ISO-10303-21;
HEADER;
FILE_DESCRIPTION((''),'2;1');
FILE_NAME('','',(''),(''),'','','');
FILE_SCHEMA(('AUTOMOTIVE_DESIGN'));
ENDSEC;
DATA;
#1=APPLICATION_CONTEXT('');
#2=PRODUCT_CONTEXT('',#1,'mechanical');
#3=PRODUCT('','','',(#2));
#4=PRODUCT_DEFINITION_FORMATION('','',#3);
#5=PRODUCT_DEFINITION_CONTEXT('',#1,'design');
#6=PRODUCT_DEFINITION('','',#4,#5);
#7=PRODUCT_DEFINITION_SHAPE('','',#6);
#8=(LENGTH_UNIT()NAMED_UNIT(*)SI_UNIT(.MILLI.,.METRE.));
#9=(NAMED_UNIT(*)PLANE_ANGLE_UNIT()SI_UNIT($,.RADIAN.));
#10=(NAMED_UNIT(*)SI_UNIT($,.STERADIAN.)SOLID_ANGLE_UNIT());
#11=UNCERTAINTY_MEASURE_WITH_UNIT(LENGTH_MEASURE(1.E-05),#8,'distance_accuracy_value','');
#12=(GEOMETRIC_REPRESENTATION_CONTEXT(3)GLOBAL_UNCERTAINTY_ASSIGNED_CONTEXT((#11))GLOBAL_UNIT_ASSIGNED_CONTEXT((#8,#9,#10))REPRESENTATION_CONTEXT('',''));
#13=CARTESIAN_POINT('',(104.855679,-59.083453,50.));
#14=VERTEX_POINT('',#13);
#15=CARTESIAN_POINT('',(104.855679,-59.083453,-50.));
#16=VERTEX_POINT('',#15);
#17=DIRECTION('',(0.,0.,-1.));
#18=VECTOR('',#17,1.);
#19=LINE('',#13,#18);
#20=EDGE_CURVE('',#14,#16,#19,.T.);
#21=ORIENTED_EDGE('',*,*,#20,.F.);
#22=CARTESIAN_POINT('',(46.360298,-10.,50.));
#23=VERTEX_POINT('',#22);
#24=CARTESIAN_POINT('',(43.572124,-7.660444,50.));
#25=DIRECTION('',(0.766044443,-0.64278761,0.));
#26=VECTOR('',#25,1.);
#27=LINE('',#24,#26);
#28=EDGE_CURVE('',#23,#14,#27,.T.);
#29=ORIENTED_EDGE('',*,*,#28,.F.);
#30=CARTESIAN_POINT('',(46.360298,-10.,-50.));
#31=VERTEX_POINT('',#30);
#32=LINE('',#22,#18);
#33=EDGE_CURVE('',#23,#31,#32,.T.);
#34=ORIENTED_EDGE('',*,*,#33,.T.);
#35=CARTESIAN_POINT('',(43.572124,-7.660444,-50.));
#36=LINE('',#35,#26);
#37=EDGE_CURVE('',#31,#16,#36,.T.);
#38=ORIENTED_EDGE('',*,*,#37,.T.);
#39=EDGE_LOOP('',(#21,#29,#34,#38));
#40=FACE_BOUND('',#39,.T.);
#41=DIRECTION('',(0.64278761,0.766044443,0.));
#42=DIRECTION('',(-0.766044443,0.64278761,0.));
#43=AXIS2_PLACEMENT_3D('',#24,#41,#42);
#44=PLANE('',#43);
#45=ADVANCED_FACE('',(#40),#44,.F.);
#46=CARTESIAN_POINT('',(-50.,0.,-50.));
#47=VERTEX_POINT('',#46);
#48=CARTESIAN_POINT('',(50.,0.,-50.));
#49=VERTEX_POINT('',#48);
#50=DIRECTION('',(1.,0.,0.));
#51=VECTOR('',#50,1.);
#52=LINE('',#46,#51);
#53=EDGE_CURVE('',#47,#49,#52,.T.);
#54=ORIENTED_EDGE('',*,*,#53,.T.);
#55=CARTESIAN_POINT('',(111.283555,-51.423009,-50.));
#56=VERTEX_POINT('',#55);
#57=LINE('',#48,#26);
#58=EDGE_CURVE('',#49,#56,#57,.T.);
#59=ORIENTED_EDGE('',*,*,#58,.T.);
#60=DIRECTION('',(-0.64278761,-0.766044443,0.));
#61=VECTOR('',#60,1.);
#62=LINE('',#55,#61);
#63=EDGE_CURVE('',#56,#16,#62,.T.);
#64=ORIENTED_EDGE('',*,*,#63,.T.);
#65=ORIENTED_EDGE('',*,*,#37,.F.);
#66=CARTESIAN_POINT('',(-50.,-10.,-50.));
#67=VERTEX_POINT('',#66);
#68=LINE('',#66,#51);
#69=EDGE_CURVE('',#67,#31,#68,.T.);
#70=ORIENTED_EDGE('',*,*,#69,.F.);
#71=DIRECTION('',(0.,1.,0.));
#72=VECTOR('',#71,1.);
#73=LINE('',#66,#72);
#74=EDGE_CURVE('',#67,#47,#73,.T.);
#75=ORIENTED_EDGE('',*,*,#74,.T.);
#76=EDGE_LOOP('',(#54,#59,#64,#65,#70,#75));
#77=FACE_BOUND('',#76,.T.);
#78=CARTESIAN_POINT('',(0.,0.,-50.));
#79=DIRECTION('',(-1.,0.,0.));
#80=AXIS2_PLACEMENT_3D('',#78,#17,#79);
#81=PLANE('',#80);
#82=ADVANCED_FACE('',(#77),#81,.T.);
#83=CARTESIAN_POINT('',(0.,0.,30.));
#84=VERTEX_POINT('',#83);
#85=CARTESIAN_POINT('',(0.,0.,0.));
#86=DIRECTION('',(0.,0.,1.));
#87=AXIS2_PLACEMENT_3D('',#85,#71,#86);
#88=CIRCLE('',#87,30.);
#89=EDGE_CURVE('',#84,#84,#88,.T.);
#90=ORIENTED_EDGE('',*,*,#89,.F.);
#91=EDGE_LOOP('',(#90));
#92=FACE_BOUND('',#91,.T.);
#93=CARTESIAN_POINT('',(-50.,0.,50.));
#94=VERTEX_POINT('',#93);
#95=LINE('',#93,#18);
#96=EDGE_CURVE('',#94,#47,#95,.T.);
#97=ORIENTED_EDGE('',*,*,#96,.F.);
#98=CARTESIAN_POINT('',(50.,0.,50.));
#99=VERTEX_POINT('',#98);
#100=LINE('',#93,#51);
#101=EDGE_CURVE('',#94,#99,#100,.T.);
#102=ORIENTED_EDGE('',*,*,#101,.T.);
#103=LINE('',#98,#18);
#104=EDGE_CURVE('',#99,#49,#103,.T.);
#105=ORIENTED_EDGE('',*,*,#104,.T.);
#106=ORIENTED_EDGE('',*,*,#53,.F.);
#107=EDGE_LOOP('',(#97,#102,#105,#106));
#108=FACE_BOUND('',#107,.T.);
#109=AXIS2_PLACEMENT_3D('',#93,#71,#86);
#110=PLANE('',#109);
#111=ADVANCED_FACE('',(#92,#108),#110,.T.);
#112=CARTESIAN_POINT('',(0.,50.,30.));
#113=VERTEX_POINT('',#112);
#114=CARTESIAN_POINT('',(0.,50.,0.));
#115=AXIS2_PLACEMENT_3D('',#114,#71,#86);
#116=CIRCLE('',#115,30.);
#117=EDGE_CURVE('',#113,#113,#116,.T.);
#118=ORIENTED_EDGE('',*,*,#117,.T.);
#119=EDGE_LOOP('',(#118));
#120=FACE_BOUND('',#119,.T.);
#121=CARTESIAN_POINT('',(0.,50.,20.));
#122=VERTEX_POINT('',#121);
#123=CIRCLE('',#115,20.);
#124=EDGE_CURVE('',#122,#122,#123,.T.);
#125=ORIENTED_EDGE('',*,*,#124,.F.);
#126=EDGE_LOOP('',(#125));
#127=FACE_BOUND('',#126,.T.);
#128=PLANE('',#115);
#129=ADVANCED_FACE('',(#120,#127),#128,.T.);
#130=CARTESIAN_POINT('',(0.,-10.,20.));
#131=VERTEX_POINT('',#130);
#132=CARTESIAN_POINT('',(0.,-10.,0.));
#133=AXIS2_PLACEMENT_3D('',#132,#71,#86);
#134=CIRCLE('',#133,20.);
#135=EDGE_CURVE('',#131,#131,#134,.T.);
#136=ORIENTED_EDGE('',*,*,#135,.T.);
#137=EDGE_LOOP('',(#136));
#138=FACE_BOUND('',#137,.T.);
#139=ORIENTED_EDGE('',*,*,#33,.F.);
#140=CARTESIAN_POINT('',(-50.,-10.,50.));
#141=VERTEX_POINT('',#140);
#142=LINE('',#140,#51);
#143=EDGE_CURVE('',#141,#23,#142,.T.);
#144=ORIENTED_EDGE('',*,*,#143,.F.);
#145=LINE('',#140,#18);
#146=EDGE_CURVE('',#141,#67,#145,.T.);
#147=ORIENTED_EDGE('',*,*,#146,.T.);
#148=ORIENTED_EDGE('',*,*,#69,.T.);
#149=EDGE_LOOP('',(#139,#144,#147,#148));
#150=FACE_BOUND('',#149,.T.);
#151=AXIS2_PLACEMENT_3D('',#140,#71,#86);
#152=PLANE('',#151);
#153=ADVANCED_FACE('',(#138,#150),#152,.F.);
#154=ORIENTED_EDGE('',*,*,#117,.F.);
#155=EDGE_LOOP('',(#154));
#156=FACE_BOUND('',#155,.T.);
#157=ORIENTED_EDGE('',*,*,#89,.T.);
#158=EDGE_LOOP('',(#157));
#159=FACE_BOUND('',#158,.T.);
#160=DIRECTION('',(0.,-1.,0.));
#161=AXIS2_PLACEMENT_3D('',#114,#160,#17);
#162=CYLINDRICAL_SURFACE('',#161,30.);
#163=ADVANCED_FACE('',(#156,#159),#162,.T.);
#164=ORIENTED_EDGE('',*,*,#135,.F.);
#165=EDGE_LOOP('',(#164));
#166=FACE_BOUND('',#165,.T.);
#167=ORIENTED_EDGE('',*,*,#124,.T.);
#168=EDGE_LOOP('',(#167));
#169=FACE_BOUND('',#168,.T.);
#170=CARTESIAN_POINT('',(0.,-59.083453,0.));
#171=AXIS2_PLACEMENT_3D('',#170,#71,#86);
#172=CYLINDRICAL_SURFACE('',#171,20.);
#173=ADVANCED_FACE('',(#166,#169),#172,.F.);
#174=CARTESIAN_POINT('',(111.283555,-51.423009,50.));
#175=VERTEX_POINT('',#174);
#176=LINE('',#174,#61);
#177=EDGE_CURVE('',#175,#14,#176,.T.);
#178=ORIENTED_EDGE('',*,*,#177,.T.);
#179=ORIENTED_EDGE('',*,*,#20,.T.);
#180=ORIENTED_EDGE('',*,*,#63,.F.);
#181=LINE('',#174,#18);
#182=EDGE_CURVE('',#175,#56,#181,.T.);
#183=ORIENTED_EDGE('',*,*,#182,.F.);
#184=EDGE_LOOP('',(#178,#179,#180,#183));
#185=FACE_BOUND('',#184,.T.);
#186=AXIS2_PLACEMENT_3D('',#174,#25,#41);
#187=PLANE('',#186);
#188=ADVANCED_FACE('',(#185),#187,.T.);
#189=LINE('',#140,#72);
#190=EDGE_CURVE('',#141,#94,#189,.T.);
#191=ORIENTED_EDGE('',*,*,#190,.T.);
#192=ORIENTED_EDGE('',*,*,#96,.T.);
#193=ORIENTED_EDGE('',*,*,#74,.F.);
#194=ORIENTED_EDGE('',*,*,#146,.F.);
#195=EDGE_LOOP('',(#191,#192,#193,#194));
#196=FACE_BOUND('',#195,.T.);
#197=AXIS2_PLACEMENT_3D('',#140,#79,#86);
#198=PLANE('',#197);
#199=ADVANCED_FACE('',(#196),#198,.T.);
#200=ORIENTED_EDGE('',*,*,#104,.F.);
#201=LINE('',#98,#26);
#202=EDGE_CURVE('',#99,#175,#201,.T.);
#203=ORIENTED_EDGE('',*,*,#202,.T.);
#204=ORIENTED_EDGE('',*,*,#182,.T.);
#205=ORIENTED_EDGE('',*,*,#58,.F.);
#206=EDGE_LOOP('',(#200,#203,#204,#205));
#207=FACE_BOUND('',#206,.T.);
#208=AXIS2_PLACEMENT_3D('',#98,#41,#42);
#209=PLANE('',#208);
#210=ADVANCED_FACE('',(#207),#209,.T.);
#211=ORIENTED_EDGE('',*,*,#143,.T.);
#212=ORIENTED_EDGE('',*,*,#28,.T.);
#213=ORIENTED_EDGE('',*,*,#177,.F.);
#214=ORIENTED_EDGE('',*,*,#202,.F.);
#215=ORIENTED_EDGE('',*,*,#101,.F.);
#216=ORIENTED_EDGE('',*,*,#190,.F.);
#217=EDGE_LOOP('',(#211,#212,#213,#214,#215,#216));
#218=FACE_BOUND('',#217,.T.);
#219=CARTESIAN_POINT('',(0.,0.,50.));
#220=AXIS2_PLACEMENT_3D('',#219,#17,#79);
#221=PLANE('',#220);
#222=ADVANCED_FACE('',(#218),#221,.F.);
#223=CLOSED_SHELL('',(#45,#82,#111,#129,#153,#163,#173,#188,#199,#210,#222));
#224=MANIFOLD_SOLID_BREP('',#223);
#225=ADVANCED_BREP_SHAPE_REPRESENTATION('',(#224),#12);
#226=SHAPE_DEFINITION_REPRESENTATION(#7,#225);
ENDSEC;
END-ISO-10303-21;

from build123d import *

# Parameters (mm, degrees)
EXTRUDE_THIN1_DEPTH = 50
SKETCH3_R           = 30
BOSS_EXTRUDE1_DEPTH = 50
SKETCH4_R           = 20
CUT_EXTRUDE1_DEPTH  = 110.083453206


with BuildPart() as part:
    # Sketch1 → Extrude-Thin1 (new body, symmetric)
    with BuildSketch(Plane.XY):
        Polygon((-50, 0), (50, 0), (111.28355545, -51.423008775), (104.855679353, -59.083453206), (46.360297657, -10), (-50, -10), align=None)
    extrude(amount=EXTRUDE_THIN1_DEPTH, both=True)

    # Sketch3 → Boss-Extrude1 (add)
    with BuildSketch(Plane(origin=(0, 0, 0), x_dir=(1, 0, 0), z_dir=(0, 1, 0))):
        Circle(SKETCH3_R)
    extrude(amount=BOSS_EXTRUDE1_DEPTH)

    # Sketch4 → Cut-Extrude1 (cut, through all)
    with BuildSketch(Plane(origin=(0, 50, 0), x_dir=(1, 0, 0), z_dir=(0, 1, 0))):
        Circle(SKETCH4_R)
    extrude(amount=-CUT_EXTRUDE1_DEPTH, mode=Mode.SUBTRACT)


solid = part.part
